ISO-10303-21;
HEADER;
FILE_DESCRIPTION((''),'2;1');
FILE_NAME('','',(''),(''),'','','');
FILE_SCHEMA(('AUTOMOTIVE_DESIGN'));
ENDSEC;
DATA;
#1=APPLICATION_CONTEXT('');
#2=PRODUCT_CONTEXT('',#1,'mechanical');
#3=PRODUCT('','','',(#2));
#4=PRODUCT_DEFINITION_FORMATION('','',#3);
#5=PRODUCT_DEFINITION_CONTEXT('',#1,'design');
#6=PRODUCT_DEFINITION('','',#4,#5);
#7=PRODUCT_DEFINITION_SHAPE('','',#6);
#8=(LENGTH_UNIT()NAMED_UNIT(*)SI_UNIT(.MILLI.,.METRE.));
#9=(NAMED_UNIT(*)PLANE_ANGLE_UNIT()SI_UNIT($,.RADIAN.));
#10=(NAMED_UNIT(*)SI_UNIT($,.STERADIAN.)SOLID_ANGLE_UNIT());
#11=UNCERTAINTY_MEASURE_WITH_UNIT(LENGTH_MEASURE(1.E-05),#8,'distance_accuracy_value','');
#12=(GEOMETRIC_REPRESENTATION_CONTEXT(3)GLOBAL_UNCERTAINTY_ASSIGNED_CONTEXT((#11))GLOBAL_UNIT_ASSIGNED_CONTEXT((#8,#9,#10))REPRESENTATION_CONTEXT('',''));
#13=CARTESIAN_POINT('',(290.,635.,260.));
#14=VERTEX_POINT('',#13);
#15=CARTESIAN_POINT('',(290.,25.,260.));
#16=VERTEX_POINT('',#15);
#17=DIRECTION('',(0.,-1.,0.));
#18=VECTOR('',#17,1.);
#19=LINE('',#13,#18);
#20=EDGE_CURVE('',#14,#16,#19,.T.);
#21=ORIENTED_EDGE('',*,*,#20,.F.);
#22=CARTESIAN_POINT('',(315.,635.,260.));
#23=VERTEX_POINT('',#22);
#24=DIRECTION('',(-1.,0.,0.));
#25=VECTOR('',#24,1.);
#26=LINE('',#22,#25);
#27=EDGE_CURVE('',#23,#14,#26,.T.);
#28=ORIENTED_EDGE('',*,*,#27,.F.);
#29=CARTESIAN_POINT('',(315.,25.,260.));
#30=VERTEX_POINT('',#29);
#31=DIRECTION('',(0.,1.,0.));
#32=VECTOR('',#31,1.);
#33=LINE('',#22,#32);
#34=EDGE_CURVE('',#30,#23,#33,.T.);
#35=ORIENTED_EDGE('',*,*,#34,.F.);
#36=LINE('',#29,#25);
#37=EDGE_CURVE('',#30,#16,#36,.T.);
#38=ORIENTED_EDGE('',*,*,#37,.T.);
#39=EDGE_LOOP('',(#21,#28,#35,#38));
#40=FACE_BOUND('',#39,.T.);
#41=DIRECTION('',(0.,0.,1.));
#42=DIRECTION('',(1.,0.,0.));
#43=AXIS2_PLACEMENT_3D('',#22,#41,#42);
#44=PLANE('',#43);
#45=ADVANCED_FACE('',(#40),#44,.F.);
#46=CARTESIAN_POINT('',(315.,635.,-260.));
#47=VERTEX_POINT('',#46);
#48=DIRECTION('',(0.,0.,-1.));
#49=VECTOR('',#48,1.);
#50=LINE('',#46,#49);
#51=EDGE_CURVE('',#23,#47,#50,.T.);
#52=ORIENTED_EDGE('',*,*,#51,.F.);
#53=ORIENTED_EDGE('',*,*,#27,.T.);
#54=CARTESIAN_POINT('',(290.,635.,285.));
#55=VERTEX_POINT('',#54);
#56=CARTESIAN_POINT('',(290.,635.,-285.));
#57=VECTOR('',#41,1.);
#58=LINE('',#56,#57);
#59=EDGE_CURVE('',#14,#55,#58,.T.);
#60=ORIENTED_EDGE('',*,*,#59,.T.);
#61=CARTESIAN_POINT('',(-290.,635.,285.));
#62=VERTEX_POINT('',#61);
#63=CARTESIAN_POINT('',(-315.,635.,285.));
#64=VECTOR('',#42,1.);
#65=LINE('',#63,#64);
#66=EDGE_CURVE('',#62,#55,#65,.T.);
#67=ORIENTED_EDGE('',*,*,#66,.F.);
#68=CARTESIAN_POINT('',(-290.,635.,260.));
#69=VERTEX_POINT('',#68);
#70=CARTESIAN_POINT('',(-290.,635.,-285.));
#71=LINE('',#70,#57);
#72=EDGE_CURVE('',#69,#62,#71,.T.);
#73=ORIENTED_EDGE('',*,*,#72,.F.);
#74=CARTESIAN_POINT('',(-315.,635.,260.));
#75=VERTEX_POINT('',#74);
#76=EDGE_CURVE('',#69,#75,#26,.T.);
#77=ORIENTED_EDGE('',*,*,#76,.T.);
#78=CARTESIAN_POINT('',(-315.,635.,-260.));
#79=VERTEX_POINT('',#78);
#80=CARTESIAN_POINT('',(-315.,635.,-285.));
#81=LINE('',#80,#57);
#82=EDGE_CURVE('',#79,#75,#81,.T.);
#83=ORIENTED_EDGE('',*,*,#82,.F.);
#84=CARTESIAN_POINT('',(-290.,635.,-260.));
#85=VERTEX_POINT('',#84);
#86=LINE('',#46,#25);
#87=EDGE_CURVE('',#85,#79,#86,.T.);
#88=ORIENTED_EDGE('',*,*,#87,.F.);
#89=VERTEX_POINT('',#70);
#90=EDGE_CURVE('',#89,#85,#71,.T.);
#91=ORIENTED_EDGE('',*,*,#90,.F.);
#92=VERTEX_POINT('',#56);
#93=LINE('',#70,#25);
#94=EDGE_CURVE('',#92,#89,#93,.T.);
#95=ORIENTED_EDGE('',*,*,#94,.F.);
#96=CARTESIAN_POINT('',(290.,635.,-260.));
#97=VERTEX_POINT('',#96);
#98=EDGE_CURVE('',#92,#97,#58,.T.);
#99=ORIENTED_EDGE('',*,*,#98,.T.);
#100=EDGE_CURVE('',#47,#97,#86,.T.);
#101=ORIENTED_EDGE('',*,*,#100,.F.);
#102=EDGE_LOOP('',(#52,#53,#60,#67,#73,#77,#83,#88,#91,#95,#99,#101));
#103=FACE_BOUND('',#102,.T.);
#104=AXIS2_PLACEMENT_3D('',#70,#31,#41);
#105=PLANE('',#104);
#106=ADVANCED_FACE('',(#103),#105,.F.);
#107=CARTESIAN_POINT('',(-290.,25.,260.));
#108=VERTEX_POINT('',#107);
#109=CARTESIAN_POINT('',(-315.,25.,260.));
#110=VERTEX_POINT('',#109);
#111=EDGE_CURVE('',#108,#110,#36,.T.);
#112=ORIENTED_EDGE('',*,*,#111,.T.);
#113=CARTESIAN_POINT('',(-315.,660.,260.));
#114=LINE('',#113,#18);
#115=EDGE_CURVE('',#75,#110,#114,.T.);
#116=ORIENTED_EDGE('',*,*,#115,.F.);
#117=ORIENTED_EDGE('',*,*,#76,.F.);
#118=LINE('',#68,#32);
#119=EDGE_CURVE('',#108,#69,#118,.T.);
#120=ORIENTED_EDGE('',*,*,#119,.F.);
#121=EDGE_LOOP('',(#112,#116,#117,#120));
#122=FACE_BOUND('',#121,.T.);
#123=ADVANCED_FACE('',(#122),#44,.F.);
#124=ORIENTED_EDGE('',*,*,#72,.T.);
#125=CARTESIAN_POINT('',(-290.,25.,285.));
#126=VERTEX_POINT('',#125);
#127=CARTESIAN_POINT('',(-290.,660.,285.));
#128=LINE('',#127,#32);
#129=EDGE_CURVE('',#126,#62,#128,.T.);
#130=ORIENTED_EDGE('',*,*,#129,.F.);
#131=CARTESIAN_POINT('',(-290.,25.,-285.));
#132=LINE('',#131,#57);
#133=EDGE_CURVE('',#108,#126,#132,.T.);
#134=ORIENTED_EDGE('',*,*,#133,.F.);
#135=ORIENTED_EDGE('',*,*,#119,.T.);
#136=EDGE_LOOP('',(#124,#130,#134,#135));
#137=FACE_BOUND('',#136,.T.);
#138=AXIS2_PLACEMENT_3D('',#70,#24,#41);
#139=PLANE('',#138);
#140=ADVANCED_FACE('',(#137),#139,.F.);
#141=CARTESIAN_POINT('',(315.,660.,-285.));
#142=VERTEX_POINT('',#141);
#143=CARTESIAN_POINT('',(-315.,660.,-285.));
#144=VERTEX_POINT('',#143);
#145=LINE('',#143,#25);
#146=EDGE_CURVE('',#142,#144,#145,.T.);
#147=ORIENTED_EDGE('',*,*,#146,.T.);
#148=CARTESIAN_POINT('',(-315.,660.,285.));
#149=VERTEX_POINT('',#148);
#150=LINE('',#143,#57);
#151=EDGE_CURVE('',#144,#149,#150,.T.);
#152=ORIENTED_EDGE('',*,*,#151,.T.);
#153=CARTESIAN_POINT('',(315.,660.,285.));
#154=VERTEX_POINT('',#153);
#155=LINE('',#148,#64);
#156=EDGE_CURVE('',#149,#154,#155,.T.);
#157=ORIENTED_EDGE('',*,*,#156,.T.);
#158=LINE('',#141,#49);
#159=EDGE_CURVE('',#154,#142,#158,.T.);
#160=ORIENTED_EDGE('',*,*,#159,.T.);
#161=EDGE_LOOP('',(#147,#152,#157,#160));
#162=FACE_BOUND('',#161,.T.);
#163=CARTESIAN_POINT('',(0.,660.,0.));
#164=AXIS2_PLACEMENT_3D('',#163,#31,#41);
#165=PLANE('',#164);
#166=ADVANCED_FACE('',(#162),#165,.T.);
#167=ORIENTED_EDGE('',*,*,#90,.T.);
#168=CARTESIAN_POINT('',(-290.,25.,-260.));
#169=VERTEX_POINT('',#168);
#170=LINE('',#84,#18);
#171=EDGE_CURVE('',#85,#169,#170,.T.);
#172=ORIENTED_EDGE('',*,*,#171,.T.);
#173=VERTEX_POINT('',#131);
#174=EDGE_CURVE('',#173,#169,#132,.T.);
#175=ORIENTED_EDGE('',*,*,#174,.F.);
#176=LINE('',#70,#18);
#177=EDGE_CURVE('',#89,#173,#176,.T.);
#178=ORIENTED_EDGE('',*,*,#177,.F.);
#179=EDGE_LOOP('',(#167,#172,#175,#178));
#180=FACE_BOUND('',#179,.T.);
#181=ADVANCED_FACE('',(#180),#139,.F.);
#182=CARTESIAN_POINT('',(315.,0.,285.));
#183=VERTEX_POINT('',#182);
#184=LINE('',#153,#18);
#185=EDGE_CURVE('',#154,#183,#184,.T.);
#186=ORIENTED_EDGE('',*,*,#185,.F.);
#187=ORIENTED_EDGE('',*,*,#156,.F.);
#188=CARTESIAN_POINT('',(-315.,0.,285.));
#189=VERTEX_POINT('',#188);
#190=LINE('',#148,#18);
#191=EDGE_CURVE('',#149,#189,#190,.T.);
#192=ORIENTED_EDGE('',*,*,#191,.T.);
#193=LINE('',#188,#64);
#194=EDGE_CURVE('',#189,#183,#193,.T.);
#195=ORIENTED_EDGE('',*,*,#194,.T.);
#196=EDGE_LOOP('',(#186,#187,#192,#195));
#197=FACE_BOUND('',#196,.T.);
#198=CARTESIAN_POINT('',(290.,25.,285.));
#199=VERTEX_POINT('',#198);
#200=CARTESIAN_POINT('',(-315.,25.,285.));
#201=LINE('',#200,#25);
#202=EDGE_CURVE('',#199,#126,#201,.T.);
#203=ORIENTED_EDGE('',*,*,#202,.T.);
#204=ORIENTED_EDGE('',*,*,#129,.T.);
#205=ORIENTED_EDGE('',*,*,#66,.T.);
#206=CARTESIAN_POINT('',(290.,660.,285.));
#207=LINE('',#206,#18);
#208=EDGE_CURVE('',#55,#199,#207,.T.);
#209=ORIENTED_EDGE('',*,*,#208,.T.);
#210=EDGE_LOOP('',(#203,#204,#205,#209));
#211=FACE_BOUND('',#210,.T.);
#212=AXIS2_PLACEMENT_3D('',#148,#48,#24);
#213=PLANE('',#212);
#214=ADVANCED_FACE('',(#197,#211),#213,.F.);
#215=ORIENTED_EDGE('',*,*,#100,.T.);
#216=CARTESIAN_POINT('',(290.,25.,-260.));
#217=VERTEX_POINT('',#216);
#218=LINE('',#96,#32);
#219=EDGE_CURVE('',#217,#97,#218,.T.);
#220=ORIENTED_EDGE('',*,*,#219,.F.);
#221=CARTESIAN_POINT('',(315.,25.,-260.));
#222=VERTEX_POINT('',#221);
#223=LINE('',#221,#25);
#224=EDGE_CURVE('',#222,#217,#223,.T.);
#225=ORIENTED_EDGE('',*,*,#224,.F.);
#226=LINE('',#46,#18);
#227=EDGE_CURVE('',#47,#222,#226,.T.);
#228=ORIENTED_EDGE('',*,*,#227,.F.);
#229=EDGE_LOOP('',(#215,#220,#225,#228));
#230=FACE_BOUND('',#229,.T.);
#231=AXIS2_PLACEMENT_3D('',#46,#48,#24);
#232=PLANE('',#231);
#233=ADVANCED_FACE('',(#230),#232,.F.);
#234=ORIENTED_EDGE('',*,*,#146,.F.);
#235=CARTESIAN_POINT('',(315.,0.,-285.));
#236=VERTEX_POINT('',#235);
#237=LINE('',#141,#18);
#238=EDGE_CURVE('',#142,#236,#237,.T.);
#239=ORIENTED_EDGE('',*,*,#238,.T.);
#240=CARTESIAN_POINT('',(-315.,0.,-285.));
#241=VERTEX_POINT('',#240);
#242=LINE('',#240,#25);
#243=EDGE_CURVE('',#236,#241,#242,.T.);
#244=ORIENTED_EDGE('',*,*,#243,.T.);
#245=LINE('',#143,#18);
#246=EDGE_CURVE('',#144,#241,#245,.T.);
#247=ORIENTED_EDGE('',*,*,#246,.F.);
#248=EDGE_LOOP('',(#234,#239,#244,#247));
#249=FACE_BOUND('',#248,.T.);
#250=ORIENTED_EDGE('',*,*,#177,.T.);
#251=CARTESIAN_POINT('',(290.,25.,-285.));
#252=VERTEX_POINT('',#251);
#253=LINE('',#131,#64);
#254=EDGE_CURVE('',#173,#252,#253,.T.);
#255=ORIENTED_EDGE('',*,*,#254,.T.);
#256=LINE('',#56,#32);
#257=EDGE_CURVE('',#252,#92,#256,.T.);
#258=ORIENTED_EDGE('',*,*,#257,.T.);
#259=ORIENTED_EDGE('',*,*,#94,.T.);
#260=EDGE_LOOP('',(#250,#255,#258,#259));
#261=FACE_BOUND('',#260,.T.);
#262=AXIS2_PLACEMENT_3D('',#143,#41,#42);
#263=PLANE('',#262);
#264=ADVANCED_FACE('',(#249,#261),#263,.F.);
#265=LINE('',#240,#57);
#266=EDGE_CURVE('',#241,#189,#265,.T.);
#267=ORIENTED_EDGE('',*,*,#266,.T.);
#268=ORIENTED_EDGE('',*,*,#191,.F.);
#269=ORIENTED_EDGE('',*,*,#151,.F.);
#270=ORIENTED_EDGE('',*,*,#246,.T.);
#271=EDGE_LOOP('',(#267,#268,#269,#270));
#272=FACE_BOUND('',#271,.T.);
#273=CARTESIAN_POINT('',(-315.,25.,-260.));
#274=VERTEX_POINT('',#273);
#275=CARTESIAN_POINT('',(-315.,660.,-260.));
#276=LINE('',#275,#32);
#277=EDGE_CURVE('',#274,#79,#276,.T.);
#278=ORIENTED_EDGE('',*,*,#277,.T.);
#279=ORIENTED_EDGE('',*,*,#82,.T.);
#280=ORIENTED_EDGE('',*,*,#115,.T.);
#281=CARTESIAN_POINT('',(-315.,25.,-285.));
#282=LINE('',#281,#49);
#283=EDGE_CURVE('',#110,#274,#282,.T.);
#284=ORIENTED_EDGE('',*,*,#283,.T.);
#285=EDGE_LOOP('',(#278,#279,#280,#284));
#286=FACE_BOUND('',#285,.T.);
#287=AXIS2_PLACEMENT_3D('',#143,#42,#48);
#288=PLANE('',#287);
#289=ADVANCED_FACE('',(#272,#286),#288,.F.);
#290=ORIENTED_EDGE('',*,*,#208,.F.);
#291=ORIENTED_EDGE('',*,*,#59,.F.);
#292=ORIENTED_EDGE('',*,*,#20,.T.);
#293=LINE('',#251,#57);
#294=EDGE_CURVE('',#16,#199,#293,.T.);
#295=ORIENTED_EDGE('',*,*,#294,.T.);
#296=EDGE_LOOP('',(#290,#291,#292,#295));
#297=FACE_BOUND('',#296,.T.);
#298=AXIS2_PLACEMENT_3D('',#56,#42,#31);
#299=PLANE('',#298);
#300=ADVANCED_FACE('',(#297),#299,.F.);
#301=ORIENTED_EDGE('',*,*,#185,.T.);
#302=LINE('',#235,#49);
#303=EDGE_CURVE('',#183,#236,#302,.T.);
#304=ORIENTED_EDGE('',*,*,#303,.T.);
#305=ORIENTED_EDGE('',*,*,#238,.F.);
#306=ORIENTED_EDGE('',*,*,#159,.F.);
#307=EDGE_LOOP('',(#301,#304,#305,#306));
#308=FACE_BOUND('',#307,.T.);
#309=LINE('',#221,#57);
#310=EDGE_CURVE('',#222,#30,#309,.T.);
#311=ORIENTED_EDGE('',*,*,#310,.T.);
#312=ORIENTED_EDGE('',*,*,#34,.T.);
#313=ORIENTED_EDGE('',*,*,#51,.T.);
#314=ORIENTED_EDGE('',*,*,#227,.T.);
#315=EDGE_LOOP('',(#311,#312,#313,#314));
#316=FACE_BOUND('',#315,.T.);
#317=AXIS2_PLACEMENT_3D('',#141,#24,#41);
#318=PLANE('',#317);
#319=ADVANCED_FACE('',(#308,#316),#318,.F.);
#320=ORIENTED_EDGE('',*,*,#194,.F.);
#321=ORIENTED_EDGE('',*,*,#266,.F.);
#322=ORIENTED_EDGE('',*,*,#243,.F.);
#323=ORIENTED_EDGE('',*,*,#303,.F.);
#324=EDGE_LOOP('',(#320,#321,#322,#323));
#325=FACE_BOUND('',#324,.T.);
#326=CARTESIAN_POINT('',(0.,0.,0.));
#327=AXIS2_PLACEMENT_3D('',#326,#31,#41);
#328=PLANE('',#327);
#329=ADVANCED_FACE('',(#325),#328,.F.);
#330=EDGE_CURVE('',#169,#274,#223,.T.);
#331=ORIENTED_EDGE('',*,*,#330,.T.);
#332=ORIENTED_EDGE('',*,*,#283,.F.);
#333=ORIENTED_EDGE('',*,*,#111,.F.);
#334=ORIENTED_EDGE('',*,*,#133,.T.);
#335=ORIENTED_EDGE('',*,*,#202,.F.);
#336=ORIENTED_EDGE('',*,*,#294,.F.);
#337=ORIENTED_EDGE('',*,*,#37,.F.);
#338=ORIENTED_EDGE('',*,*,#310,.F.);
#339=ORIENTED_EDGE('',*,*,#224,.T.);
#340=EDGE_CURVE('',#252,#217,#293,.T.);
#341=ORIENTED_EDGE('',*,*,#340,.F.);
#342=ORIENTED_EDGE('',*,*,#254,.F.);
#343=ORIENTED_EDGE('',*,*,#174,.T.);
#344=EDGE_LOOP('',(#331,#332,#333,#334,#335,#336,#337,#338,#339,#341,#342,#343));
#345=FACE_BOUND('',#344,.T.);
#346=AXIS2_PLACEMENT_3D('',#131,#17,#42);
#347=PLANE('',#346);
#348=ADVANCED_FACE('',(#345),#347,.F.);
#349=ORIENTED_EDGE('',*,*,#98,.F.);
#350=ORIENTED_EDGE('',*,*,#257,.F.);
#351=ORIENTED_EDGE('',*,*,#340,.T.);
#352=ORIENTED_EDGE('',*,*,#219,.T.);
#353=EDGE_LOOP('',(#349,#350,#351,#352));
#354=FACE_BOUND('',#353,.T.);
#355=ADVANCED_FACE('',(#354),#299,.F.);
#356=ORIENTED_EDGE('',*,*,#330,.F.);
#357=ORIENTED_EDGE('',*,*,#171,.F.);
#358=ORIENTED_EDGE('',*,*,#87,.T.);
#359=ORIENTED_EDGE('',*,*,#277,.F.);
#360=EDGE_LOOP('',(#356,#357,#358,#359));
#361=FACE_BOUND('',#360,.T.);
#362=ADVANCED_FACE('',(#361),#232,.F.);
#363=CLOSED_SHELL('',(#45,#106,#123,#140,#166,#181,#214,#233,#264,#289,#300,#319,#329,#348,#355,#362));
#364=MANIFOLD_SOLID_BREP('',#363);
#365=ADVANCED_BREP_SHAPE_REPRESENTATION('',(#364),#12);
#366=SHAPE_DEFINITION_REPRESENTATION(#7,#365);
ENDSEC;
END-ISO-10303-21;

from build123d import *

# Parameters (mm, degrees)
SKETCH2_W               = 630
SKETCH2_H               = 570
BOSS_EXTRUDE1_DEPTH     = 660
CUT_EXTRUDE1_DEPTH      = 928.213567632
CUT_EXTRUDE1_DEPTH_BACK = 928.213567632
SKETCH4_W               = 580
SKETCH4_H               = 610
CUT_EXTRUDE2_DEPTH      = 956.889637981
CUT_EXTRUDE2_DEPTH_BACK = 956.889637981
SKETCH5_W               = 520
SKETCH5_H               = 610


with BuildPart() as part:
    # Sketch2 → Boss-Extrude1 (new body)
    with BuildSketch(Plane(origin=(0, 0, 0), x_dir=(1, 0, 0), z_dir=(0, 1, 0))):
        Rectangle(SKETCH2_W, SKETCH2_H)
    extrude(amount=BOSS_EXTRUDE1_DEPTH)

    # Sketch4 → Cut-Extrude1 (cut, two sides: drawn at the far end of the back side and taken through both)
    with BuildSketch(Plane.XY.offset(285).offset(-CUT_EXTRUDE1_DEPTH_BACK)):
        with Locations((0, 330)):
            Rectangle(SKETCH4_W, SKETCH4_H)
    extrude(amount=CUT_EXTRUDE1_DEPTH + CUT_EXTRUDE1_DEPTH_BACK, mode=Mode.SUBTRACT)

    # Sketch5 → Cut-Extrude2 (cut, two sides: drawn at the far end of the back side and taken through both)
    with BuildSketch(Plane.ZY.offset(315).offset(-CUT_EXTRUDE2_DEPTH_BACK)):
        with Locations((0, 330)):
            Rectangle(SKETCH5_W, SKETCH5_H)
    extrude(amount=CUT_EXTRUDE2_DEPTH + CUT_EXTRUDE2_DEPTH_BACK, mode=Mode.SUBTRACT)


solid = part.part
